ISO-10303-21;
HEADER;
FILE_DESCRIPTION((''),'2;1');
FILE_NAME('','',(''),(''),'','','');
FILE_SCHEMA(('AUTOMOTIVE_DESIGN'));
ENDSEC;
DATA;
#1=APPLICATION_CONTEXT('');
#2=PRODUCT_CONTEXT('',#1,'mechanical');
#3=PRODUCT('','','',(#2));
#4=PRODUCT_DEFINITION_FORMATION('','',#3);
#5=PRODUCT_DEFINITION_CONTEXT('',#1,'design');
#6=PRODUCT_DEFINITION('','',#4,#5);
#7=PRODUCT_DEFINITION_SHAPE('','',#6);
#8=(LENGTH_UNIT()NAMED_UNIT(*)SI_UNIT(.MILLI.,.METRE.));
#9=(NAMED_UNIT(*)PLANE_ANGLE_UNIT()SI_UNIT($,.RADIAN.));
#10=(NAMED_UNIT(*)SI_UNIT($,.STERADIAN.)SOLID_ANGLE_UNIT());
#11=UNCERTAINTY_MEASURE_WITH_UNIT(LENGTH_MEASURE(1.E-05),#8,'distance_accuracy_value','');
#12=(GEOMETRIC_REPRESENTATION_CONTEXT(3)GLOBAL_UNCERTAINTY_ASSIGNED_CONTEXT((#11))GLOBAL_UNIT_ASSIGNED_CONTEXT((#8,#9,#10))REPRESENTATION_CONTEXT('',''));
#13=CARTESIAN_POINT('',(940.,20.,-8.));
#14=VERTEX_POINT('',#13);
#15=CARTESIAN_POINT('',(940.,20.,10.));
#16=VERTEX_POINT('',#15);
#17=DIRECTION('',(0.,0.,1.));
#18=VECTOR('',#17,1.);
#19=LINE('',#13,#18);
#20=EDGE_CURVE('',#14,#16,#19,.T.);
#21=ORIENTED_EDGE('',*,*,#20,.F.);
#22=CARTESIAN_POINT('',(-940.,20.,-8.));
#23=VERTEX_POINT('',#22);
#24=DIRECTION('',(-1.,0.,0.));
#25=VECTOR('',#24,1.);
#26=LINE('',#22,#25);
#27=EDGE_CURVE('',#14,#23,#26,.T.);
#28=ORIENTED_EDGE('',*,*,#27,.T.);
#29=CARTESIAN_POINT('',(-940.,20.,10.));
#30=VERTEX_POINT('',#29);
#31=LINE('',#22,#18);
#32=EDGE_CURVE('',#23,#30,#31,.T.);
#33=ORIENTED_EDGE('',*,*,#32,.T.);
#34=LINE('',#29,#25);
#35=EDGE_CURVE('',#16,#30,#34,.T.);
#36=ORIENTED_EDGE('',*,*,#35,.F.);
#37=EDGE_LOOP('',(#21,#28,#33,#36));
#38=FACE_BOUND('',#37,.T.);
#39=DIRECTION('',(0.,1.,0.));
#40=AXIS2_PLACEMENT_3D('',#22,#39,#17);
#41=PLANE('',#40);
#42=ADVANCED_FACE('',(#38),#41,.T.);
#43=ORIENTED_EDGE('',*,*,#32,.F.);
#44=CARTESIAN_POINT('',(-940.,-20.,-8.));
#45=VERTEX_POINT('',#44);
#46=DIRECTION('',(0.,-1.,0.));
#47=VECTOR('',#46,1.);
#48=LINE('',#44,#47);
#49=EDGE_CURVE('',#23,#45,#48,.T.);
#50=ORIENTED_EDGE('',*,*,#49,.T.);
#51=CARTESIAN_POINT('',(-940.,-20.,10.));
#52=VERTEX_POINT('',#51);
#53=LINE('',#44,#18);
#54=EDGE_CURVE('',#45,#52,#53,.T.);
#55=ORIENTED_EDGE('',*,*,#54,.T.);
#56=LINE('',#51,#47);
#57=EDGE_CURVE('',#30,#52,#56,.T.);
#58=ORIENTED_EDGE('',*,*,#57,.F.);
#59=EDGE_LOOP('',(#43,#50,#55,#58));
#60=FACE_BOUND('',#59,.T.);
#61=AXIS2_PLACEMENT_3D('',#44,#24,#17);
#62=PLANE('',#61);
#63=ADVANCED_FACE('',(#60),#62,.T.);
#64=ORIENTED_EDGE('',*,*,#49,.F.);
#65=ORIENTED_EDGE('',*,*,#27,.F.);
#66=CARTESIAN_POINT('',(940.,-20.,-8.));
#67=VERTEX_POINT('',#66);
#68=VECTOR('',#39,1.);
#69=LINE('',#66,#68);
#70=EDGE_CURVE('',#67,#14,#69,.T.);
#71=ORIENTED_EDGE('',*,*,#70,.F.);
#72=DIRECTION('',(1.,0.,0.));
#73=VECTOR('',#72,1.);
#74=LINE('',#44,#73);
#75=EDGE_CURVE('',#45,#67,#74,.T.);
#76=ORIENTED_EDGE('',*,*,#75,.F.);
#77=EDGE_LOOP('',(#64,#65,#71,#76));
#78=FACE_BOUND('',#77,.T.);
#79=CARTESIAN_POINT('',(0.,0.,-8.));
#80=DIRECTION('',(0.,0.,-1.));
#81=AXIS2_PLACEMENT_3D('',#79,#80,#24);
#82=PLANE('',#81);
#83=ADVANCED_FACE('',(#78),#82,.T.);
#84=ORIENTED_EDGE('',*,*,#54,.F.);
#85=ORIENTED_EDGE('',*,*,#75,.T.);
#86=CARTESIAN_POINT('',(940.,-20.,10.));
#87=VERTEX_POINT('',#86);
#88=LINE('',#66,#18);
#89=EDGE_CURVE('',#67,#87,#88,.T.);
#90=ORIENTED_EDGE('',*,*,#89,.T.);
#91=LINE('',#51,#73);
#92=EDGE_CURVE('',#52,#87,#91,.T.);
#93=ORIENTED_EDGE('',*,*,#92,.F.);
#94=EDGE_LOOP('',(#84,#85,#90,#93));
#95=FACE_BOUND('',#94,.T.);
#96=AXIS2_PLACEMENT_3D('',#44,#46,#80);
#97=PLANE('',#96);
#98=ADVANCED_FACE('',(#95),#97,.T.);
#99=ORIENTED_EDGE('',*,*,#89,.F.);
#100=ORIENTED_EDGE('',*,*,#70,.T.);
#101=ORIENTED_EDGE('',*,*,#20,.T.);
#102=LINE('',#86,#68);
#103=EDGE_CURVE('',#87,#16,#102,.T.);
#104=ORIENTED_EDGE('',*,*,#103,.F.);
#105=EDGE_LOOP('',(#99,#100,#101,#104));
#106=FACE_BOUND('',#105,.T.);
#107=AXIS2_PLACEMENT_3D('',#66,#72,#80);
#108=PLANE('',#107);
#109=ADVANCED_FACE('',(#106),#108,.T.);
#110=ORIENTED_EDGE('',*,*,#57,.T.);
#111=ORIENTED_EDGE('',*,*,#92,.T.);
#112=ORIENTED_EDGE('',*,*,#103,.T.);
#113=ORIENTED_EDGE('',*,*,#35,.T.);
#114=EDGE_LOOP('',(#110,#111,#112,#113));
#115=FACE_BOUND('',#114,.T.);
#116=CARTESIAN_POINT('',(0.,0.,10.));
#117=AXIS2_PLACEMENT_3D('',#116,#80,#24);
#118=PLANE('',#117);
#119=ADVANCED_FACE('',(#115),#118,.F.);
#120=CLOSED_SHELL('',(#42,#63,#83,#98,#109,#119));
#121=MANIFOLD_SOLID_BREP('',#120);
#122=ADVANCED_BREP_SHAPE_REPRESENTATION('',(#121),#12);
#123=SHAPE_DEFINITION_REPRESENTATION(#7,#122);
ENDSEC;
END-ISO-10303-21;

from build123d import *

# Parameters (mm, degrees)
BOSS_EXTRUDE1_DEPTH      = 10
BOSS_EXTRUDE1_DEPTH_BACK = 8
SKETCH1_W                = 1880
SKETCH1_H                = 40


with BuildPart() as part:
    # Sketch1 → Boss-Extrude1 (new, two sides: drawn at the far end of the back side and taken through both)
    with BuildSketch(Plane.XY.offset(-BOSS_EXTRUDE1_DEPTH_BACK)):
        Rectangle(SKETCH1_W, SKETCH1_H)
    extrude(amount=BOSS_EXTRUDE1_DEPTH + BOSS_EXTRUDE1_DEPTH_BACK)


solid = part.part
